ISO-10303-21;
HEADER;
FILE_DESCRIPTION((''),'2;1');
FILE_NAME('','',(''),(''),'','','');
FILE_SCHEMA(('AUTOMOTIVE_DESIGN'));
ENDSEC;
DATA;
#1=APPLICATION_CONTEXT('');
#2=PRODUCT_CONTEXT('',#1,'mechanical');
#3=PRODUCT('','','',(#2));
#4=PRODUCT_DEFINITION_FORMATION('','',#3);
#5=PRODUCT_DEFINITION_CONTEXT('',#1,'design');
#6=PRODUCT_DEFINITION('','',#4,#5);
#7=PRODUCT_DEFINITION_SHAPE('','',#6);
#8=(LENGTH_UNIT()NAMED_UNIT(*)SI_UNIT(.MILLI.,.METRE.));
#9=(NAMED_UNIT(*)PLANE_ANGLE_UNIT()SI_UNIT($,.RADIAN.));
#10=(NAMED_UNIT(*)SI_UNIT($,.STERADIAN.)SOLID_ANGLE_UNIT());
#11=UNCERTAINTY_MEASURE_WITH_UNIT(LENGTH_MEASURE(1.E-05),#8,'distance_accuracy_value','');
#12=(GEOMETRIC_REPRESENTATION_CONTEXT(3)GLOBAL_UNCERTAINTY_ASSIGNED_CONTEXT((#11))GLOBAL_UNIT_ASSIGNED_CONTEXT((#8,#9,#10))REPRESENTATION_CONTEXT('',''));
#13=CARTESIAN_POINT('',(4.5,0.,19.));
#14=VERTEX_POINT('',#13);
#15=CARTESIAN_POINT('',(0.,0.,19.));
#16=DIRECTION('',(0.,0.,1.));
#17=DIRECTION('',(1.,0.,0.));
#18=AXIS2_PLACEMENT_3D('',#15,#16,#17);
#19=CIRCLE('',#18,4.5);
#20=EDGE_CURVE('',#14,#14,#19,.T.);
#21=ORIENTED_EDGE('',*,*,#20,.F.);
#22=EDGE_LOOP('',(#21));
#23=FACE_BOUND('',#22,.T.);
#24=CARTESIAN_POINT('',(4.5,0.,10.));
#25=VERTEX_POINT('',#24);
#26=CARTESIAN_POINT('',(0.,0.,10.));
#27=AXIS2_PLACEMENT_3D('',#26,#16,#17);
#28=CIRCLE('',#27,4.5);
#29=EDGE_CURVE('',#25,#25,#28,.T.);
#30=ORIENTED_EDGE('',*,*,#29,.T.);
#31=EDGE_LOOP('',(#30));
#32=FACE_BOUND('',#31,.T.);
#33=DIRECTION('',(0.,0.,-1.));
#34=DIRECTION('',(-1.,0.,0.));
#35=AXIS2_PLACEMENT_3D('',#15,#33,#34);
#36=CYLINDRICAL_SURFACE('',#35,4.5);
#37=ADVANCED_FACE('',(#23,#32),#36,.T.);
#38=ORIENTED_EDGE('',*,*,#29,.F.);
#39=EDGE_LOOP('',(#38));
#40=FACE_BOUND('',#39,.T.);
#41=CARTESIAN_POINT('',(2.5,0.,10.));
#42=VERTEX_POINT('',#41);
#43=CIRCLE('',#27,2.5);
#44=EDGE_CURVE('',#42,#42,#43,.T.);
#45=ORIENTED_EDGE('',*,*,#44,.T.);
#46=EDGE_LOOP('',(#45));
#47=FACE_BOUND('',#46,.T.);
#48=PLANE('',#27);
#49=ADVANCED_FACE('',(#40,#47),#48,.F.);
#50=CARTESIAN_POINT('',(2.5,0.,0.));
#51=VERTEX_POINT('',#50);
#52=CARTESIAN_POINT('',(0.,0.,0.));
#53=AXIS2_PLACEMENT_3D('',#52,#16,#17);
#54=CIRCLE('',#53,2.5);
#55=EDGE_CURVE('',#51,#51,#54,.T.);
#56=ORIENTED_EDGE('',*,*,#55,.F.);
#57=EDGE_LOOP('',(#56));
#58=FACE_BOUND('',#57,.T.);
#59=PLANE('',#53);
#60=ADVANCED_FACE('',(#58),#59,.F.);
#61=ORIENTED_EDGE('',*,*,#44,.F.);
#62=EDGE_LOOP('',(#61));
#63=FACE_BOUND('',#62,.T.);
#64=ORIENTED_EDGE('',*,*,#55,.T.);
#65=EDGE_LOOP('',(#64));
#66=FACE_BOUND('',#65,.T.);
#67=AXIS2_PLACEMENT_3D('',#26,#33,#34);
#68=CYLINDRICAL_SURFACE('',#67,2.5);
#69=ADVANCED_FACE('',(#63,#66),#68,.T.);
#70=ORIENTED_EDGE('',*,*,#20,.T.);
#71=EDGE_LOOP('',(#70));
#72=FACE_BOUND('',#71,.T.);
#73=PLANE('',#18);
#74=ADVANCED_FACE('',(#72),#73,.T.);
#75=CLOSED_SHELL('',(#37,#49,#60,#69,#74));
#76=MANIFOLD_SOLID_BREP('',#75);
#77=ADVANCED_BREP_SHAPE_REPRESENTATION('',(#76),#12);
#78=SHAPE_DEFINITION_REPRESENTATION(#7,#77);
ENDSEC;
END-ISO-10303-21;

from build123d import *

# Parameters (mm, degrees)
SKETCH1_R           = 2.5
BOSS_EXTRUDE1_DEPTH = 10
SKETCH2_R           = 4.5
BOSS_EXTRUDE2_DEPTH = 9


with BuildPart() as part:
    # Sketch1 → Boss-Extrude1 (new body)
    with BuildSketch(Plane.XY):
        Circle(SKETCH1_R)
    extrude(amount=BOSS_EXTRUDE1_DEPTH)

    # Sketch2 → Boss-Extrude2 (add)
    with BuildSketch(Plane.XY.offset(10)):
        Circle(SKETCH2_R)
    extrude(amount=BOSS_EXTRUDE2_DEPTH)


solid = part.part
